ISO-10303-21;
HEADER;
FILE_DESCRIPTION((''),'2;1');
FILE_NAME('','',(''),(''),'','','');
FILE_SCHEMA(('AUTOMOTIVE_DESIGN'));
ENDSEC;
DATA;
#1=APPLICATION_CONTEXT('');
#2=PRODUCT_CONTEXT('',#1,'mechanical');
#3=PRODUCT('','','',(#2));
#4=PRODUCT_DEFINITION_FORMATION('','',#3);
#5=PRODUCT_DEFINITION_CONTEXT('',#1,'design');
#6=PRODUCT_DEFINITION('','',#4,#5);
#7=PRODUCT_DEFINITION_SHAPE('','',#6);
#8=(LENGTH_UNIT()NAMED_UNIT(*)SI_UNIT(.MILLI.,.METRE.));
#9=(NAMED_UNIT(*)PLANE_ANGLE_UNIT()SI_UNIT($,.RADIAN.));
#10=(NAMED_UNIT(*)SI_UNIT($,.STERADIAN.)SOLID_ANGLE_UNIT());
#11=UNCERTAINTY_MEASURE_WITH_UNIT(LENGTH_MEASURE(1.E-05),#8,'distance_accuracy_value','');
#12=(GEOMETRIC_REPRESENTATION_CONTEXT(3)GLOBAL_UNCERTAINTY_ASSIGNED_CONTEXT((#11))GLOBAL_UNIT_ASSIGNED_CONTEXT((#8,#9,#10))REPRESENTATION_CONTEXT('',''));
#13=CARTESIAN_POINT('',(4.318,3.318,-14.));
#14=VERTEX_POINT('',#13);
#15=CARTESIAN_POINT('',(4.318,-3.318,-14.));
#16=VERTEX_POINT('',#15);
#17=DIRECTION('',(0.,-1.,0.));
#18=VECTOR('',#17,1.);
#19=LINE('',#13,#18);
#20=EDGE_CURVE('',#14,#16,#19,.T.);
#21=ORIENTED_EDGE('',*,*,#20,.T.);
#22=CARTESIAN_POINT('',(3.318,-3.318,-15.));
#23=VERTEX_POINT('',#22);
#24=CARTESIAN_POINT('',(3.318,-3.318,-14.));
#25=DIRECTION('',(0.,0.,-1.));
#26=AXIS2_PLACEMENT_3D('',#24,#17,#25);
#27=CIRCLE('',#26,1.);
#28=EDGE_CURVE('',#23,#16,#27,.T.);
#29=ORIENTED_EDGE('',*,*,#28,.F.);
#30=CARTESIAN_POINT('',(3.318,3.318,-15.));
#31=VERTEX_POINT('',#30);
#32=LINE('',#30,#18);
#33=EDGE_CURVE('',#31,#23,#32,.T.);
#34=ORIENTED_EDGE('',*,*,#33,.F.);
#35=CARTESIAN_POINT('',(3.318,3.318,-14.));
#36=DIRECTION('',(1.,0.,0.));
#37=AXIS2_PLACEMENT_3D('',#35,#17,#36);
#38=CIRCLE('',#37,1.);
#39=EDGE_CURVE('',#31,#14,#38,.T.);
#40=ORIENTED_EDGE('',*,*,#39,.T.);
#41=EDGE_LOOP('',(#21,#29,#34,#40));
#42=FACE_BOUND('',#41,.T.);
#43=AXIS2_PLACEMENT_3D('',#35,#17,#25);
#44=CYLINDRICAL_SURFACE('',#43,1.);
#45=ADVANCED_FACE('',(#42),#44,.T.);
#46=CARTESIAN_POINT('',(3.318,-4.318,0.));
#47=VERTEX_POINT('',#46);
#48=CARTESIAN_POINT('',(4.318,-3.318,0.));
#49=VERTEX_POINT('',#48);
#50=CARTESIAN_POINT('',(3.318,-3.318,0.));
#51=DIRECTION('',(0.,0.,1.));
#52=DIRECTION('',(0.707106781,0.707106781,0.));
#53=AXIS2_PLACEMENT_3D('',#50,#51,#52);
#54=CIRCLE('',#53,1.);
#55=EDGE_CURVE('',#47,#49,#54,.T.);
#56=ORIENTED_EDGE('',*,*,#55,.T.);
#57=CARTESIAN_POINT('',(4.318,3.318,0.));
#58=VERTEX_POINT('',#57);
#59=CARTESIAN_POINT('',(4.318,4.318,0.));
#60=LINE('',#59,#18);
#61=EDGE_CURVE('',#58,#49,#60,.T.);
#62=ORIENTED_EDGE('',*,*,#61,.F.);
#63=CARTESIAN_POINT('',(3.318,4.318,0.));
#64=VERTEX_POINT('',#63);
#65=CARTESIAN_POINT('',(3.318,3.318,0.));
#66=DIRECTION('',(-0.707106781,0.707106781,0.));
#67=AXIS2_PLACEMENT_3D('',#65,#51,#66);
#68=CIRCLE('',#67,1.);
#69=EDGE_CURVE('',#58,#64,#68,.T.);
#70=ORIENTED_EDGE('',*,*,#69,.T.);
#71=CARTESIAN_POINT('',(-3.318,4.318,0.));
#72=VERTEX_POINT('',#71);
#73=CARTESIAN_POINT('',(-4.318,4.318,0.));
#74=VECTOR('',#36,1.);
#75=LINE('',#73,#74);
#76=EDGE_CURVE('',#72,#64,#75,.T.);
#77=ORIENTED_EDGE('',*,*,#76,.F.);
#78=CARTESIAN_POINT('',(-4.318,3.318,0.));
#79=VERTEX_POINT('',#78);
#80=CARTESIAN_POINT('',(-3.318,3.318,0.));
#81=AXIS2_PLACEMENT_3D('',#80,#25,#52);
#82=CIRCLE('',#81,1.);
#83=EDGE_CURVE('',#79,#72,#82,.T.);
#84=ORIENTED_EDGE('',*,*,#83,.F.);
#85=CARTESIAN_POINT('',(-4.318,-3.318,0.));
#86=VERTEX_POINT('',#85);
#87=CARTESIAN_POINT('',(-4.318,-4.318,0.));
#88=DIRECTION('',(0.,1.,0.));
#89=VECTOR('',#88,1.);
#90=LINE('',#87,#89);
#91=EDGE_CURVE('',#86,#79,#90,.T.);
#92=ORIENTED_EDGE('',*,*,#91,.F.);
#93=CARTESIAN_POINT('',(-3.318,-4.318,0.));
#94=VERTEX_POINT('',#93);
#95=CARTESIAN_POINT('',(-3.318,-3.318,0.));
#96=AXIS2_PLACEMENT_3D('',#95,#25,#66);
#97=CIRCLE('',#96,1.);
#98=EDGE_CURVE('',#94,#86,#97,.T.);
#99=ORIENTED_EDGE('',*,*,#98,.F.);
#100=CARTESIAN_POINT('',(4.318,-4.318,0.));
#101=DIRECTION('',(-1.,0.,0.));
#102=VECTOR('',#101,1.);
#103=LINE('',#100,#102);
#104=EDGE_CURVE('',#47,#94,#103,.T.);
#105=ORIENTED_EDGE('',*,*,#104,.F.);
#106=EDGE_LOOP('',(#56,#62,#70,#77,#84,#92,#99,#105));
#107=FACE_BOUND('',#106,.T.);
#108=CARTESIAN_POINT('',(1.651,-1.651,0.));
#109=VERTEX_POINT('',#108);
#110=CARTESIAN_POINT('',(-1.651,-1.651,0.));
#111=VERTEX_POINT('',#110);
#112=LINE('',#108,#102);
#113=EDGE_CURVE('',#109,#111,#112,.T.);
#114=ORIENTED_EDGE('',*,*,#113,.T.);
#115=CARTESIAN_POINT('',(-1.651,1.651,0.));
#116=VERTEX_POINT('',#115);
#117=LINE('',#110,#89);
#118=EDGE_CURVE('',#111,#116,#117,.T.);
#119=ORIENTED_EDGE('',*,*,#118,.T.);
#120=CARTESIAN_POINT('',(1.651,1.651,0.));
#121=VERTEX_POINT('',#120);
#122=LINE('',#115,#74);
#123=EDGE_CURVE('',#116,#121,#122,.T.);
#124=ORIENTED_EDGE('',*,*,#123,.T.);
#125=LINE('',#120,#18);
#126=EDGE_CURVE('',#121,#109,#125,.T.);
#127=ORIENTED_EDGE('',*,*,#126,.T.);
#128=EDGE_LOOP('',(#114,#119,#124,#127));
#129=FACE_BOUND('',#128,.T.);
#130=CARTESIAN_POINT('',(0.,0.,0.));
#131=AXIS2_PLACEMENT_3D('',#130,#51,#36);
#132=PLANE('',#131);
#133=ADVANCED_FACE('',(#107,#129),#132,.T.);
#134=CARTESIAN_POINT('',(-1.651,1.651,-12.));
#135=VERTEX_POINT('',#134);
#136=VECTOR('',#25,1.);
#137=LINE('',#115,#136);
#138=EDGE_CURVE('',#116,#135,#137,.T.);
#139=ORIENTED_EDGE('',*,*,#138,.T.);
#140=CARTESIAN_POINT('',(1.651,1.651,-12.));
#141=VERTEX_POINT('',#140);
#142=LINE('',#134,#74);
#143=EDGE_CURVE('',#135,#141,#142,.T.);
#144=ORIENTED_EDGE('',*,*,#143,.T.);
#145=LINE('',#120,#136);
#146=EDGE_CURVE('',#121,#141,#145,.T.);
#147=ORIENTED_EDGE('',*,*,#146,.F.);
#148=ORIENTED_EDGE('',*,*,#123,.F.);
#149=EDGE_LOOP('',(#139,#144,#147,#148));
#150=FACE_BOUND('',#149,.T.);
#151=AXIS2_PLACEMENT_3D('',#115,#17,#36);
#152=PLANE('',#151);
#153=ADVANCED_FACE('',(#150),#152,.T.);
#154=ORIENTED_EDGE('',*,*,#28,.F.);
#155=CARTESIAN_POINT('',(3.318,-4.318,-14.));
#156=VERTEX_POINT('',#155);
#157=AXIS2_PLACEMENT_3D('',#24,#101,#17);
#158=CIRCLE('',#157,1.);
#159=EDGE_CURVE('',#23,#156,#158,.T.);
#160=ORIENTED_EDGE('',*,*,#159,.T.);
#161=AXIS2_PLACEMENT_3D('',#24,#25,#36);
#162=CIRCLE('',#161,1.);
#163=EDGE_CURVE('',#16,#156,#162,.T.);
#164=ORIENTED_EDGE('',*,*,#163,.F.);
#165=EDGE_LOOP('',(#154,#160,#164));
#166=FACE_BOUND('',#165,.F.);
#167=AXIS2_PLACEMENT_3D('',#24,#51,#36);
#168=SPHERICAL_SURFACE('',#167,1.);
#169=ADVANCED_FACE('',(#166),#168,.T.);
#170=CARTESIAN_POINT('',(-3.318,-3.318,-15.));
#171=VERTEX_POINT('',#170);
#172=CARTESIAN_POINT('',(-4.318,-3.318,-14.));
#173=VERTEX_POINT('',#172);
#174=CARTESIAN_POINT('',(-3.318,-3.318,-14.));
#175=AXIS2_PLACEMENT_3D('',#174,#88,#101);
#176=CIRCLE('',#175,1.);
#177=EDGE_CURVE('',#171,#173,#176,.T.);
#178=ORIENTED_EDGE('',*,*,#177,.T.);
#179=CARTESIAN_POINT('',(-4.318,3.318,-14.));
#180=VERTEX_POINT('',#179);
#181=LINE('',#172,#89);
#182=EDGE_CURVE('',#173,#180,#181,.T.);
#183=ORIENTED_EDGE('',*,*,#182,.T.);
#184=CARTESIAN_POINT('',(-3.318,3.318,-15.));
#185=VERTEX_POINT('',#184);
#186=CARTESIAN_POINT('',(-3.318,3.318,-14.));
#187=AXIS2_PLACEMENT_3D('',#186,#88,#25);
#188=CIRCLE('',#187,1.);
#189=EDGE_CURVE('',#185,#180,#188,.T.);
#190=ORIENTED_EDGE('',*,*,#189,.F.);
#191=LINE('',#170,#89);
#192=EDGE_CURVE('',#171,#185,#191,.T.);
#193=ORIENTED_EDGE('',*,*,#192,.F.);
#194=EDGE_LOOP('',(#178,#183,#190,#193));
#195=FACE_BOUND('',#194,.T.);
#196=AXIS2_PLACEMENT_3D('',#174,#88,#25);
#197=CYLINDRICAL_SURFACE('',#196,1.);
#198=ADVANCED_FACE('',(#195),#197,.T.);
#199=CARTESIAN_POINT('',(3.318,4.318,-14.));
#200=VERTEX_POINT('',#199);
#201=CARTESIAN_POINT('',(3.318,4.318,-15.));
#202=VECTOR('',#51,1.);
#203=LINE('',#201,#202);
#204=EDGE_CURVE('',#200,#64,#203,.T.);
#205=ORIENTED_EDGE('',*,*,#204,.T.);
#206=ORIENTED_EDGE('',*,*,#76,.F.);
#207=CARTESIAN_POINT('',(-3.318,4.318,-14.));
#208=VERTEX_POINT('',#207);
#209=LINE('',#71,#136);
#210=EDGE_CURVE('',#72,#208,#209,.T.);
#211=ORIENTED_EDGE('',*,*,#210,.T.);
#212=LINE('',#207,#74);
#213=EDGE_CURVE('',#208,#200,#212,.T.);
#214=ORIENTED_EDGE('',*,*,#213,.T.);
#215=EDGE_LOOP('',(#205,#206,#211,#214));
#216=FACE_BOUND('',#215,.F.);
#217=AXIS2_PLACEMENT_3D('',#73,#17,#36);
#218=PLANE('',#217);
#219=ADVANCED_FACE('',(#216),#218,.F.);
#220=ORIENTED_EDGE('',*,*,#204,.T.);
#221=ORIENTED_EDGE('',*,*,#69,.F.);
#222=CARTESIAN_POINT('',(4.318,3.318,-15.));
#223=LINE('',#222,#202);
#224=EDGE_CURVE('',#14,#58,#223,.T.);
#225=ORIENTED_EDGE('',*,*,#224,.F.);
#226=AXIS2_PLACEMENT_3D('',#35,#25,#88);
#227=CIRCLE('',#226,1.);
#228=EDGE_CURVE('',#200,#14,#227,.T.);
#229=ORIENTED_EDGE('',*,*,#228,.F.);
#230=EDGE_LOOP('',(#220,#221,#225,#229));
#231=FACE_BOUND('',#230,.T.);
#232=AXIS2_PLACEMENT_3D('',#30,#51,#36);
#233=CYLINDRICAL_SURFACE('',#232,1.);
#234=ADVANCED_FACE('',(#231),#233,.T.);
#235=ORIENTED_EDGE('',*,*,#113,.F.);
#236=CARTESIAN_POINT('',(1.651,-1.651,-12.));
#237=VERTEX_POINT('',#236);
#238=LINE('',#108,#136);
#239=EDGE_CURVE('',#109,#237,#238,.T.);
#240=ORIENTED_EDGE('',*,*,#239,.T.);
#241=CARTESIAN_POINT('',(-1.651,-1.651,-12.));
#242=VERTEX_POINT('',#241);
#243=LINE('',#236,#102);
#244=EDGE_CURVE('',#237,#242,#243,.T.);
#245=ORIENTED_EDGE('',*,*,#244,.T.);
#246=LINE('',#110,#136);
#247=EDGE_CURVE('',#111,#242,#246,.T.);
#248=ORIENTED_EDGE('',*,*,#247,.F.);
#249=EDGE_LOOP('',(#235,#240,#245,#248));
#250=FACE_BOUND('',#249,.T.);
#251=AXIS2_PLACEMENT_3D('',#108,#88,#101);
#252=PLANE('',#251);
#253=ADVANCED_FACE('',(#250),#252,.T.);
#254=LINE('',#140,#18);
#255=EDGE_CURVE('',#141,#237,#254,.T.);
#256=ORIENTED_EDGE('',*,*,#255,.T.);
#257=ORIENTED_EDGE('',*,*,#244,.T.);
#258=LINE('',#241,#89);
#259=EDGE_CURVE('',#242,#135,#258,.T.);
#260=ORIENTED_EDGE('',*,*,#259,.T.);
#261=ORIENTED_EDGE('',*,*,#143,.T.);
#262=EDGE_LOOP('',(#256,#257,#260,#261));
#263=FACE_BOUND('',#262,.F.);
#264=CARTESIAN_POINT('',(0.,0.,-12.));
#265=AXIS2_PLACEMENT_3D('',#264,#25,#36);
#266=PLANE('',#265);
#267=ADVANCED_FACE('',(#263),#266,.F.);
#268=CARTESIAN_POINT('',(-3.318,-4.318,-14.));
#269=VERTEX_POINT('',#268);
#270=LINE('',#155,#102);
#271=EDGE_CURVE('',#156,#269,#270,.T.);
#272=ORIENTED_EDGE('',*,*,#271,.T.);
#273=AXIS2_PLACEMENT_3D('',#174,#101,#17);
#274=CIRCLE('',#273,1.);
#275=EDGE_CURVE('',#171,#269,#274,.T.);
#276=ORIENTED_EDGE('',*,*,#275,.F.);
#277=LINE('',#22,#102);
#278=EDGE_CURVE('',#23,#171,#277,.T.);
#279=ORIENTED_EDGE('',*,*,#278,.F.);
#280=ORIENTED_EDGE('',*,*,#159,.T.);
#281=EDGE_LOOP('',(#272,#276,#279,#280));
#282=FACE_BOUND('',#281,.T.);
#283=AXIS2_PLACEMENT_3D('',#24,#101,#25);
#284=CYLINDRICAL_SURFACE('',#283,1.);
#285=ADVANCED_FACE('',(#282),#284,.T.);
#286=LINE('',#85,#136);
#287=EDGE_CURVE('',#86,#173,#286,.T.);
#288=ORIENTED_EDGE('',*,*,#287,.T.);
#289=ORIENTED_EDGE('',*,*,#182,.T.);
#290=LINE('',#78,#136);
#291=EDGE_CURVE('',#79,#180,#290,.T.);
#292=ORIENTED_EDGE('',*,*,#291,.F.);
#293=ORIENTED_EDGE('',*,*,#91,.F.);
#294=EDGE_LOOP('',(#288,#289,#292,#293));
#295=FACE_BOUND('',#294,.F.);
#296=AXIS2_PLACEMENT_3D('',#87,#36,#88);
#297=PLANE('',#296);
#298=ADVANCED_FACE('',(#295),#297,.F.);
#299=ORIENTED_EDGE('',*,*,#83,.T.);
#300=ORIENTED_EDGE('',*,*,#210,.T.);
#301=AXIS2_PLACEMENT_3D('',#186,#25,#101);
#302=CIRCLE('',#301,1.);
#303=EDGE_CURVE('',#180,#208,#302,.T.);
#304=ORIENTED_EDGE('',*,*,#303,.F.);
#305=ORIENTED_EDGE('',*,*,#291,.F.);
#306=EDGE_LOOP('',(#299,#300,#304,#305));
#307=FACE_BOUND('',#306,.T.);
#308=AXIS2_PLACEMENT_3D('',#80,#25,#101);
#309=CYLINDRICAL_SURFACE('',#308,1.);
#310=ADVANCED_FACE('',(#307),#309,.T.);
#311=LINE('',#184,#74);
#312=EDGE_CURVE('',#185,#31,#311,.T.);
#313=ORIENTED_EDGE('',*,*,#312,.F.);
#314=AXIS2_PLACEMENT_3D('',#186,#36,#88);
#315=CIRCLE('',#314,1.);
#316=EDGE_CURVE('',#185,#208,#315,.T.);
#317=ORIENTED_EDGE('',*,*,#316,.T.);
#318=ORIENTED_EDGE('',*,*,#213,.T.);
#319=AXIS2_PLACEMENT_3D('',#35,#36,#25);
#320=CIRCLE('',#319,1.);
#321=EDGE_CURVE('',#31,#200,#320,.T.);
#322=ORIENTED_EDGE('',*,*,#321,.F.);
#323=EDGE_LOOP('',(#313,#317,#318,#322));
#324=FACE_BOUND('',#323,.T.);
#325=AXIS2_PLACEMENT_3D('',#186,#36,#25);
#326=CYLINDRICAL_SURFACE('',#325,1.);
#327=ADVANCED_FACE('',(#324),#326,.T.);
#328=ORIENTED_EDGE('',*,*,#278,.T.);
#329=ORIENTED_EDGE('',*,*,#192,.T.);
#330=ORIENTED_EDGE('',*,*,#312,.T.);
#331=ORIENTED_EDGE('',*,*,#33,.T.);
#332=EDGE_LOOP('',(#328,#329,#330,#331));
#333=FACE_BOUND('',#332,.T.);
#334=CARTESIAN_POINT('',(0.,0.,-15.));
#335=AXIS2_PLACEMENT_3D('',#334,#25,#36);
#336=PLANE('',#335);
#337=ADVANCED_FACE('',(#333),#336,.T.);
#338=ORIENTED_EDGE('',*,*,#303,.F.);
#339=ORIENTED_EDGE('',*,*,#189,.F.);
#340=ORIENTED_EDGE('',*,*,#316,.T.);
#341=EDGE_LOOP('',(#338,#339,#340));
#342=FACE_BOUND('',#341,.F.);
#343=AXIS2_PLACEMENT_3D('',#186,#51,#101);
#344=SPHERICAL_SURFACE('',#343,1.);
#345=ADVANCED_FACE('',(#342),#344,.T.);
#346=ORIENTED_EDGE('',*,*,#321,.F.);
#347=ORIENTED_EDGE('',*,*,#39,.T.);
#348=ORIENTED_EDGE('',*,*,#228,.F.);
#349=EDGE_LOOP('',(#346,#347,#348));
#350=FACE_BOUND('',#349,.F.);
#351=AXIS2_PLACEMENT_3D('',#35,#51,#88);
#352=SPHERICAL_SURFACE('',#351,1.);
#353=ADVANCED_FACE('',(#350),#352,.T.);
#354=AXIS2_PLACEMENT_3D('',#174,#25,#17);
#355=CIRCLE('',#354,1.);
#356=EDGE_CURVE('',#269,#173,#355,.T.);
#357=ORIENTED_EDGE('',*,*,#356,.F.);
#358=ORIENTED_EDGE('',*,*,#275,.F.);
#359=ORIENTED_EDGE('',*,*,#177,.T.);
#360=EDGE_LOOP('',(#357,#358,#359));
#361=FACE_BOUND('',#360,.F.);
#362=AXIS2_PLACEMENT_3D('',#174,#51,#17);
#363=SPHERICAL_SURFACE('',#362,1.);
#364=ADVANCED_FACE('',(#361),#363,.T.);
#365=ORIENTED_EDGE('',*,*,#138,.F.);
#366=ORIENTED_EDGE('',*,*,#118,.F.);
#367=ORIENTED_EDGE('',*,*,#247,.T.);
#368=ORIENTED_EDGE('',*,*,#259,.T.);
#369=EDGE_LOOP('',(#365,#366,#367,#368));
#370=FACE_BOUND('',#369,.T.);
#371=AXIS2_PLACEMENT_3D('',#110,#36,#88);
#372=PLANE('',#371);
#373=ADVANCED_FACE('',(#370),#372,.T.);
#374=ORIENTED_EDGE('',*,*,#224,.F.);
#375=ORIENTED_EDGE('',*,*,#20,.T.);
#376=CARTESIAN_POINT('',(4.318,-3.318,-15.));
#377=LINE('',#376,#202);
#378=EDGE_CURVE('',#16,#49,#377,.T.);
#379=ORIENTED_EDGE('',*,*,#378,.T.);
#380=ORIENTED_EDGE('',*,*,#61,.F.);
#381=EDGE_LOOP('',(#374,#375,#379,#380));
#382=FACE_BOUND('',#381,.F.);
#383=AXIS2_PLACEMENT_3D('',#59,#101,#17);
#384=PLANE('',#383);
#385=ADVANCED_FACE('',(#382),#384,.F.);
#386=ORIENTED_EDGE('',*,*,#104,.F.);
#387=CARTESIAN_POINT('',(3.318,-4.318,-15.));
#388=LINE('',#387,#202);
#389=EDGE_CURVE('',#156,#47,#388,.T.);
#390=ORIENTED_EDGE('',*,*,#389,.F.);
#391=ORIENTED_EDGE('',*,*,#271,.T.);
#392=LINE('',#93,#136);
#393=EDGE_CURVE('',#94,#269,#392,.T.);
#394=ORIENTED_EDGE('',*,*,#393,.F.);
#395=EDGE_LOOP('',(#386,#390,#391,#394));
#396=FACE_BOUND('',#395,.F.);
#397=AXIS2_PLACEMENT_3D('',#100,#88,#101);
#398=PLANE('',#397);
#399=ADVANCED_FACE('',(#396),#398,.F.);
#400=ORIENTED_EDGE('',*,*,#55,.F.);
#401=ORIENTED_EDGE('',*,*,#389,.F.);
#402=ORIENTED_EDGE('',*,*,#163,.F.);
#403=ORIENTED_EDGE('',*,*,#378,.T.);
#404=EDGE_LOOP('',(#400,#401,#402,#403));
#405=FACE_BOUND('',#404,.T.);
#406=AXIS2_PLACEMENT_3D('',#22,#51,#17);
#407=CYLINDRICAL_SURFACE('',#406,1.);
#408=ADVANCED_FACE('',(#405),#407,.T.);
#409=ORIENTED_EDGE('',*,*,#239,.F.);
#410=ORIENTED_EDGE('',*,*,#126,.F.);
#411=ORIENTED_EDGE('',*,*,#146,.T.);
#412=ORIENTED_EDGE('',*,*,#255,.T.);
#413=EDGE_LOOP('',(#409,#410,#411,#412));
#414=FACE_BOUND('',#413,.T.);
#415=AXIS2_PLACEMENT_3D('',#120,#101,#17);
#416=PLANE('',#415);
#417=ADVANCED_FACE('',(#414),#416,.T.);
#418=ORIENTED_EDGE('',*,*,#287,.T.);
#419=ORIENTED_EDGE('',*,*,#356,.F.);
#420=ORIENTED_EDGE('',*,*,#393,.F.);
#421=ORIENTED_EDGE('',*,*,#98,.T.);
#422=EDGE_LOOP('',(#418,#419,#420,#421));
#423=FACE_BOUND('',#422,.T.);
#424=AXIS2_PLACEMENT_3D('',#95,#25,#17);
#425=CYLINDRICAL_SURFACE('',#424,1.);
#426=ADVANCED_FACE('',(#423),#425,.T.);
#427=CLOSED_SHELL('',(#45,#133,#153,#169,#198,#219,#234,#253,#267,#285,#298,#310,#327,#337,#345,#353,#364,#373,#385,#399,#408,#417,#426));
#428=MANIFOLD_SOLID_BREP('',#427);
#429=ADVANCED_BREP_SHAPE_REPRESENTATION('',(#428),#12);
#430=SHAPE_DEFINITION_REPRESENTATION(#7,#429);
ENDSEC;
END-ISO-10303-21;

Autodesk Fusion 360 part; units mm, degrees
sketch "Sketch1" plane through (0, 0, 0) normal (0, 0, 1) x (1, 0, 0)
  line L0 (1.651, -1.651) -> (-1.651, -1.651)
  line L1 (-1.651, -1.651) -> (-1.651, 1.651)
  line L2 (-1.651, 1.651) -> (1.651, 1.651)
  line L3 (1.651, 1.651) -> (1.651, -1.651)
  line L4 (1.651, -1.651) -> (-1.651, 1.651) construction
  line L5 (-1.651, -1.651) -> (1.651, 1.651) construction
  line L6 (4.318, -4.318) -> (-4.318, -4.318)
  line L7 (-4.318, -4.318) -> (-4.318, 4.318)
  line L8 (-4.318, 4.318) -> (4.318, 4.318)
  line L9 (4.318, 4.318) -> (4.318, -4.318)
  line L10 (4.318, -4.318) -> (-4.318, 4.318) construction
  line L11 (-4.318, -4.318) -> (4.318, 4.318) construction
  dimension "d1" = 3.302
extrude "Extrude1" add sketch "Sketch1" against normal blind 12
sketch "Sketch2" plane through (0, 0, -12) normal (0, 0, -1) x (1, 0, 0)
  line L0 (1.651, -1.651) -> (-1.651, -1.651)
  line L1 (-1.651, -1.651) -> (-1.651, 1.651)
  line L2 (-1.651, 1.651) -> (1.651, 1.651)
  line L3 (1.651, 1.651) -> (1.651, -1.651)
  line L4 (-4.318, -4.318) -> (4.318, -4.318)
  line L5 (4.318, -4.318) -> (4.318, 4.318)
  line L6 (4.318, 4.318) -> (-4.318, 4.318)
  line L7 (-4.318, 4.318) -> (-4.318, -4.318)
  line L8 (-4.318, 4.318) -> (4.318, 4.318)
  line L9 (4.318, 4.318) -> (4.318, -4.318)
  line L10 (4.318, -4.318) -> (-4.318, -4.318)
  line L11 (-4.318, -4.318) -> (-4.318, 4.318)
extrude "Extrude2" add sketch "Sketch2" along normal blind 3 contours L0 L1 L2 L3 | L4 L5 L6 L7 L8 L9 L10 L11
fillet "Fillet1" radius 1 4 edges at (-4.318, 4.318, -7.5) (4.318, 4.318, -7.5) (4.318, -4.318, -7.5) (-4.318, -4.318, -7.5)
fillet "Fillet2" radius 1 8 edges at (-4.0251, -4.0251, -15) (-4.318, 0, -15) (-4.0251, 4.0251, -15) (0, 4.318, -15) (4.0251, 4.0251, -15) (4.318, 0, -15) (4.0251, -4.0251, -15) (0, -4.318, -15)
